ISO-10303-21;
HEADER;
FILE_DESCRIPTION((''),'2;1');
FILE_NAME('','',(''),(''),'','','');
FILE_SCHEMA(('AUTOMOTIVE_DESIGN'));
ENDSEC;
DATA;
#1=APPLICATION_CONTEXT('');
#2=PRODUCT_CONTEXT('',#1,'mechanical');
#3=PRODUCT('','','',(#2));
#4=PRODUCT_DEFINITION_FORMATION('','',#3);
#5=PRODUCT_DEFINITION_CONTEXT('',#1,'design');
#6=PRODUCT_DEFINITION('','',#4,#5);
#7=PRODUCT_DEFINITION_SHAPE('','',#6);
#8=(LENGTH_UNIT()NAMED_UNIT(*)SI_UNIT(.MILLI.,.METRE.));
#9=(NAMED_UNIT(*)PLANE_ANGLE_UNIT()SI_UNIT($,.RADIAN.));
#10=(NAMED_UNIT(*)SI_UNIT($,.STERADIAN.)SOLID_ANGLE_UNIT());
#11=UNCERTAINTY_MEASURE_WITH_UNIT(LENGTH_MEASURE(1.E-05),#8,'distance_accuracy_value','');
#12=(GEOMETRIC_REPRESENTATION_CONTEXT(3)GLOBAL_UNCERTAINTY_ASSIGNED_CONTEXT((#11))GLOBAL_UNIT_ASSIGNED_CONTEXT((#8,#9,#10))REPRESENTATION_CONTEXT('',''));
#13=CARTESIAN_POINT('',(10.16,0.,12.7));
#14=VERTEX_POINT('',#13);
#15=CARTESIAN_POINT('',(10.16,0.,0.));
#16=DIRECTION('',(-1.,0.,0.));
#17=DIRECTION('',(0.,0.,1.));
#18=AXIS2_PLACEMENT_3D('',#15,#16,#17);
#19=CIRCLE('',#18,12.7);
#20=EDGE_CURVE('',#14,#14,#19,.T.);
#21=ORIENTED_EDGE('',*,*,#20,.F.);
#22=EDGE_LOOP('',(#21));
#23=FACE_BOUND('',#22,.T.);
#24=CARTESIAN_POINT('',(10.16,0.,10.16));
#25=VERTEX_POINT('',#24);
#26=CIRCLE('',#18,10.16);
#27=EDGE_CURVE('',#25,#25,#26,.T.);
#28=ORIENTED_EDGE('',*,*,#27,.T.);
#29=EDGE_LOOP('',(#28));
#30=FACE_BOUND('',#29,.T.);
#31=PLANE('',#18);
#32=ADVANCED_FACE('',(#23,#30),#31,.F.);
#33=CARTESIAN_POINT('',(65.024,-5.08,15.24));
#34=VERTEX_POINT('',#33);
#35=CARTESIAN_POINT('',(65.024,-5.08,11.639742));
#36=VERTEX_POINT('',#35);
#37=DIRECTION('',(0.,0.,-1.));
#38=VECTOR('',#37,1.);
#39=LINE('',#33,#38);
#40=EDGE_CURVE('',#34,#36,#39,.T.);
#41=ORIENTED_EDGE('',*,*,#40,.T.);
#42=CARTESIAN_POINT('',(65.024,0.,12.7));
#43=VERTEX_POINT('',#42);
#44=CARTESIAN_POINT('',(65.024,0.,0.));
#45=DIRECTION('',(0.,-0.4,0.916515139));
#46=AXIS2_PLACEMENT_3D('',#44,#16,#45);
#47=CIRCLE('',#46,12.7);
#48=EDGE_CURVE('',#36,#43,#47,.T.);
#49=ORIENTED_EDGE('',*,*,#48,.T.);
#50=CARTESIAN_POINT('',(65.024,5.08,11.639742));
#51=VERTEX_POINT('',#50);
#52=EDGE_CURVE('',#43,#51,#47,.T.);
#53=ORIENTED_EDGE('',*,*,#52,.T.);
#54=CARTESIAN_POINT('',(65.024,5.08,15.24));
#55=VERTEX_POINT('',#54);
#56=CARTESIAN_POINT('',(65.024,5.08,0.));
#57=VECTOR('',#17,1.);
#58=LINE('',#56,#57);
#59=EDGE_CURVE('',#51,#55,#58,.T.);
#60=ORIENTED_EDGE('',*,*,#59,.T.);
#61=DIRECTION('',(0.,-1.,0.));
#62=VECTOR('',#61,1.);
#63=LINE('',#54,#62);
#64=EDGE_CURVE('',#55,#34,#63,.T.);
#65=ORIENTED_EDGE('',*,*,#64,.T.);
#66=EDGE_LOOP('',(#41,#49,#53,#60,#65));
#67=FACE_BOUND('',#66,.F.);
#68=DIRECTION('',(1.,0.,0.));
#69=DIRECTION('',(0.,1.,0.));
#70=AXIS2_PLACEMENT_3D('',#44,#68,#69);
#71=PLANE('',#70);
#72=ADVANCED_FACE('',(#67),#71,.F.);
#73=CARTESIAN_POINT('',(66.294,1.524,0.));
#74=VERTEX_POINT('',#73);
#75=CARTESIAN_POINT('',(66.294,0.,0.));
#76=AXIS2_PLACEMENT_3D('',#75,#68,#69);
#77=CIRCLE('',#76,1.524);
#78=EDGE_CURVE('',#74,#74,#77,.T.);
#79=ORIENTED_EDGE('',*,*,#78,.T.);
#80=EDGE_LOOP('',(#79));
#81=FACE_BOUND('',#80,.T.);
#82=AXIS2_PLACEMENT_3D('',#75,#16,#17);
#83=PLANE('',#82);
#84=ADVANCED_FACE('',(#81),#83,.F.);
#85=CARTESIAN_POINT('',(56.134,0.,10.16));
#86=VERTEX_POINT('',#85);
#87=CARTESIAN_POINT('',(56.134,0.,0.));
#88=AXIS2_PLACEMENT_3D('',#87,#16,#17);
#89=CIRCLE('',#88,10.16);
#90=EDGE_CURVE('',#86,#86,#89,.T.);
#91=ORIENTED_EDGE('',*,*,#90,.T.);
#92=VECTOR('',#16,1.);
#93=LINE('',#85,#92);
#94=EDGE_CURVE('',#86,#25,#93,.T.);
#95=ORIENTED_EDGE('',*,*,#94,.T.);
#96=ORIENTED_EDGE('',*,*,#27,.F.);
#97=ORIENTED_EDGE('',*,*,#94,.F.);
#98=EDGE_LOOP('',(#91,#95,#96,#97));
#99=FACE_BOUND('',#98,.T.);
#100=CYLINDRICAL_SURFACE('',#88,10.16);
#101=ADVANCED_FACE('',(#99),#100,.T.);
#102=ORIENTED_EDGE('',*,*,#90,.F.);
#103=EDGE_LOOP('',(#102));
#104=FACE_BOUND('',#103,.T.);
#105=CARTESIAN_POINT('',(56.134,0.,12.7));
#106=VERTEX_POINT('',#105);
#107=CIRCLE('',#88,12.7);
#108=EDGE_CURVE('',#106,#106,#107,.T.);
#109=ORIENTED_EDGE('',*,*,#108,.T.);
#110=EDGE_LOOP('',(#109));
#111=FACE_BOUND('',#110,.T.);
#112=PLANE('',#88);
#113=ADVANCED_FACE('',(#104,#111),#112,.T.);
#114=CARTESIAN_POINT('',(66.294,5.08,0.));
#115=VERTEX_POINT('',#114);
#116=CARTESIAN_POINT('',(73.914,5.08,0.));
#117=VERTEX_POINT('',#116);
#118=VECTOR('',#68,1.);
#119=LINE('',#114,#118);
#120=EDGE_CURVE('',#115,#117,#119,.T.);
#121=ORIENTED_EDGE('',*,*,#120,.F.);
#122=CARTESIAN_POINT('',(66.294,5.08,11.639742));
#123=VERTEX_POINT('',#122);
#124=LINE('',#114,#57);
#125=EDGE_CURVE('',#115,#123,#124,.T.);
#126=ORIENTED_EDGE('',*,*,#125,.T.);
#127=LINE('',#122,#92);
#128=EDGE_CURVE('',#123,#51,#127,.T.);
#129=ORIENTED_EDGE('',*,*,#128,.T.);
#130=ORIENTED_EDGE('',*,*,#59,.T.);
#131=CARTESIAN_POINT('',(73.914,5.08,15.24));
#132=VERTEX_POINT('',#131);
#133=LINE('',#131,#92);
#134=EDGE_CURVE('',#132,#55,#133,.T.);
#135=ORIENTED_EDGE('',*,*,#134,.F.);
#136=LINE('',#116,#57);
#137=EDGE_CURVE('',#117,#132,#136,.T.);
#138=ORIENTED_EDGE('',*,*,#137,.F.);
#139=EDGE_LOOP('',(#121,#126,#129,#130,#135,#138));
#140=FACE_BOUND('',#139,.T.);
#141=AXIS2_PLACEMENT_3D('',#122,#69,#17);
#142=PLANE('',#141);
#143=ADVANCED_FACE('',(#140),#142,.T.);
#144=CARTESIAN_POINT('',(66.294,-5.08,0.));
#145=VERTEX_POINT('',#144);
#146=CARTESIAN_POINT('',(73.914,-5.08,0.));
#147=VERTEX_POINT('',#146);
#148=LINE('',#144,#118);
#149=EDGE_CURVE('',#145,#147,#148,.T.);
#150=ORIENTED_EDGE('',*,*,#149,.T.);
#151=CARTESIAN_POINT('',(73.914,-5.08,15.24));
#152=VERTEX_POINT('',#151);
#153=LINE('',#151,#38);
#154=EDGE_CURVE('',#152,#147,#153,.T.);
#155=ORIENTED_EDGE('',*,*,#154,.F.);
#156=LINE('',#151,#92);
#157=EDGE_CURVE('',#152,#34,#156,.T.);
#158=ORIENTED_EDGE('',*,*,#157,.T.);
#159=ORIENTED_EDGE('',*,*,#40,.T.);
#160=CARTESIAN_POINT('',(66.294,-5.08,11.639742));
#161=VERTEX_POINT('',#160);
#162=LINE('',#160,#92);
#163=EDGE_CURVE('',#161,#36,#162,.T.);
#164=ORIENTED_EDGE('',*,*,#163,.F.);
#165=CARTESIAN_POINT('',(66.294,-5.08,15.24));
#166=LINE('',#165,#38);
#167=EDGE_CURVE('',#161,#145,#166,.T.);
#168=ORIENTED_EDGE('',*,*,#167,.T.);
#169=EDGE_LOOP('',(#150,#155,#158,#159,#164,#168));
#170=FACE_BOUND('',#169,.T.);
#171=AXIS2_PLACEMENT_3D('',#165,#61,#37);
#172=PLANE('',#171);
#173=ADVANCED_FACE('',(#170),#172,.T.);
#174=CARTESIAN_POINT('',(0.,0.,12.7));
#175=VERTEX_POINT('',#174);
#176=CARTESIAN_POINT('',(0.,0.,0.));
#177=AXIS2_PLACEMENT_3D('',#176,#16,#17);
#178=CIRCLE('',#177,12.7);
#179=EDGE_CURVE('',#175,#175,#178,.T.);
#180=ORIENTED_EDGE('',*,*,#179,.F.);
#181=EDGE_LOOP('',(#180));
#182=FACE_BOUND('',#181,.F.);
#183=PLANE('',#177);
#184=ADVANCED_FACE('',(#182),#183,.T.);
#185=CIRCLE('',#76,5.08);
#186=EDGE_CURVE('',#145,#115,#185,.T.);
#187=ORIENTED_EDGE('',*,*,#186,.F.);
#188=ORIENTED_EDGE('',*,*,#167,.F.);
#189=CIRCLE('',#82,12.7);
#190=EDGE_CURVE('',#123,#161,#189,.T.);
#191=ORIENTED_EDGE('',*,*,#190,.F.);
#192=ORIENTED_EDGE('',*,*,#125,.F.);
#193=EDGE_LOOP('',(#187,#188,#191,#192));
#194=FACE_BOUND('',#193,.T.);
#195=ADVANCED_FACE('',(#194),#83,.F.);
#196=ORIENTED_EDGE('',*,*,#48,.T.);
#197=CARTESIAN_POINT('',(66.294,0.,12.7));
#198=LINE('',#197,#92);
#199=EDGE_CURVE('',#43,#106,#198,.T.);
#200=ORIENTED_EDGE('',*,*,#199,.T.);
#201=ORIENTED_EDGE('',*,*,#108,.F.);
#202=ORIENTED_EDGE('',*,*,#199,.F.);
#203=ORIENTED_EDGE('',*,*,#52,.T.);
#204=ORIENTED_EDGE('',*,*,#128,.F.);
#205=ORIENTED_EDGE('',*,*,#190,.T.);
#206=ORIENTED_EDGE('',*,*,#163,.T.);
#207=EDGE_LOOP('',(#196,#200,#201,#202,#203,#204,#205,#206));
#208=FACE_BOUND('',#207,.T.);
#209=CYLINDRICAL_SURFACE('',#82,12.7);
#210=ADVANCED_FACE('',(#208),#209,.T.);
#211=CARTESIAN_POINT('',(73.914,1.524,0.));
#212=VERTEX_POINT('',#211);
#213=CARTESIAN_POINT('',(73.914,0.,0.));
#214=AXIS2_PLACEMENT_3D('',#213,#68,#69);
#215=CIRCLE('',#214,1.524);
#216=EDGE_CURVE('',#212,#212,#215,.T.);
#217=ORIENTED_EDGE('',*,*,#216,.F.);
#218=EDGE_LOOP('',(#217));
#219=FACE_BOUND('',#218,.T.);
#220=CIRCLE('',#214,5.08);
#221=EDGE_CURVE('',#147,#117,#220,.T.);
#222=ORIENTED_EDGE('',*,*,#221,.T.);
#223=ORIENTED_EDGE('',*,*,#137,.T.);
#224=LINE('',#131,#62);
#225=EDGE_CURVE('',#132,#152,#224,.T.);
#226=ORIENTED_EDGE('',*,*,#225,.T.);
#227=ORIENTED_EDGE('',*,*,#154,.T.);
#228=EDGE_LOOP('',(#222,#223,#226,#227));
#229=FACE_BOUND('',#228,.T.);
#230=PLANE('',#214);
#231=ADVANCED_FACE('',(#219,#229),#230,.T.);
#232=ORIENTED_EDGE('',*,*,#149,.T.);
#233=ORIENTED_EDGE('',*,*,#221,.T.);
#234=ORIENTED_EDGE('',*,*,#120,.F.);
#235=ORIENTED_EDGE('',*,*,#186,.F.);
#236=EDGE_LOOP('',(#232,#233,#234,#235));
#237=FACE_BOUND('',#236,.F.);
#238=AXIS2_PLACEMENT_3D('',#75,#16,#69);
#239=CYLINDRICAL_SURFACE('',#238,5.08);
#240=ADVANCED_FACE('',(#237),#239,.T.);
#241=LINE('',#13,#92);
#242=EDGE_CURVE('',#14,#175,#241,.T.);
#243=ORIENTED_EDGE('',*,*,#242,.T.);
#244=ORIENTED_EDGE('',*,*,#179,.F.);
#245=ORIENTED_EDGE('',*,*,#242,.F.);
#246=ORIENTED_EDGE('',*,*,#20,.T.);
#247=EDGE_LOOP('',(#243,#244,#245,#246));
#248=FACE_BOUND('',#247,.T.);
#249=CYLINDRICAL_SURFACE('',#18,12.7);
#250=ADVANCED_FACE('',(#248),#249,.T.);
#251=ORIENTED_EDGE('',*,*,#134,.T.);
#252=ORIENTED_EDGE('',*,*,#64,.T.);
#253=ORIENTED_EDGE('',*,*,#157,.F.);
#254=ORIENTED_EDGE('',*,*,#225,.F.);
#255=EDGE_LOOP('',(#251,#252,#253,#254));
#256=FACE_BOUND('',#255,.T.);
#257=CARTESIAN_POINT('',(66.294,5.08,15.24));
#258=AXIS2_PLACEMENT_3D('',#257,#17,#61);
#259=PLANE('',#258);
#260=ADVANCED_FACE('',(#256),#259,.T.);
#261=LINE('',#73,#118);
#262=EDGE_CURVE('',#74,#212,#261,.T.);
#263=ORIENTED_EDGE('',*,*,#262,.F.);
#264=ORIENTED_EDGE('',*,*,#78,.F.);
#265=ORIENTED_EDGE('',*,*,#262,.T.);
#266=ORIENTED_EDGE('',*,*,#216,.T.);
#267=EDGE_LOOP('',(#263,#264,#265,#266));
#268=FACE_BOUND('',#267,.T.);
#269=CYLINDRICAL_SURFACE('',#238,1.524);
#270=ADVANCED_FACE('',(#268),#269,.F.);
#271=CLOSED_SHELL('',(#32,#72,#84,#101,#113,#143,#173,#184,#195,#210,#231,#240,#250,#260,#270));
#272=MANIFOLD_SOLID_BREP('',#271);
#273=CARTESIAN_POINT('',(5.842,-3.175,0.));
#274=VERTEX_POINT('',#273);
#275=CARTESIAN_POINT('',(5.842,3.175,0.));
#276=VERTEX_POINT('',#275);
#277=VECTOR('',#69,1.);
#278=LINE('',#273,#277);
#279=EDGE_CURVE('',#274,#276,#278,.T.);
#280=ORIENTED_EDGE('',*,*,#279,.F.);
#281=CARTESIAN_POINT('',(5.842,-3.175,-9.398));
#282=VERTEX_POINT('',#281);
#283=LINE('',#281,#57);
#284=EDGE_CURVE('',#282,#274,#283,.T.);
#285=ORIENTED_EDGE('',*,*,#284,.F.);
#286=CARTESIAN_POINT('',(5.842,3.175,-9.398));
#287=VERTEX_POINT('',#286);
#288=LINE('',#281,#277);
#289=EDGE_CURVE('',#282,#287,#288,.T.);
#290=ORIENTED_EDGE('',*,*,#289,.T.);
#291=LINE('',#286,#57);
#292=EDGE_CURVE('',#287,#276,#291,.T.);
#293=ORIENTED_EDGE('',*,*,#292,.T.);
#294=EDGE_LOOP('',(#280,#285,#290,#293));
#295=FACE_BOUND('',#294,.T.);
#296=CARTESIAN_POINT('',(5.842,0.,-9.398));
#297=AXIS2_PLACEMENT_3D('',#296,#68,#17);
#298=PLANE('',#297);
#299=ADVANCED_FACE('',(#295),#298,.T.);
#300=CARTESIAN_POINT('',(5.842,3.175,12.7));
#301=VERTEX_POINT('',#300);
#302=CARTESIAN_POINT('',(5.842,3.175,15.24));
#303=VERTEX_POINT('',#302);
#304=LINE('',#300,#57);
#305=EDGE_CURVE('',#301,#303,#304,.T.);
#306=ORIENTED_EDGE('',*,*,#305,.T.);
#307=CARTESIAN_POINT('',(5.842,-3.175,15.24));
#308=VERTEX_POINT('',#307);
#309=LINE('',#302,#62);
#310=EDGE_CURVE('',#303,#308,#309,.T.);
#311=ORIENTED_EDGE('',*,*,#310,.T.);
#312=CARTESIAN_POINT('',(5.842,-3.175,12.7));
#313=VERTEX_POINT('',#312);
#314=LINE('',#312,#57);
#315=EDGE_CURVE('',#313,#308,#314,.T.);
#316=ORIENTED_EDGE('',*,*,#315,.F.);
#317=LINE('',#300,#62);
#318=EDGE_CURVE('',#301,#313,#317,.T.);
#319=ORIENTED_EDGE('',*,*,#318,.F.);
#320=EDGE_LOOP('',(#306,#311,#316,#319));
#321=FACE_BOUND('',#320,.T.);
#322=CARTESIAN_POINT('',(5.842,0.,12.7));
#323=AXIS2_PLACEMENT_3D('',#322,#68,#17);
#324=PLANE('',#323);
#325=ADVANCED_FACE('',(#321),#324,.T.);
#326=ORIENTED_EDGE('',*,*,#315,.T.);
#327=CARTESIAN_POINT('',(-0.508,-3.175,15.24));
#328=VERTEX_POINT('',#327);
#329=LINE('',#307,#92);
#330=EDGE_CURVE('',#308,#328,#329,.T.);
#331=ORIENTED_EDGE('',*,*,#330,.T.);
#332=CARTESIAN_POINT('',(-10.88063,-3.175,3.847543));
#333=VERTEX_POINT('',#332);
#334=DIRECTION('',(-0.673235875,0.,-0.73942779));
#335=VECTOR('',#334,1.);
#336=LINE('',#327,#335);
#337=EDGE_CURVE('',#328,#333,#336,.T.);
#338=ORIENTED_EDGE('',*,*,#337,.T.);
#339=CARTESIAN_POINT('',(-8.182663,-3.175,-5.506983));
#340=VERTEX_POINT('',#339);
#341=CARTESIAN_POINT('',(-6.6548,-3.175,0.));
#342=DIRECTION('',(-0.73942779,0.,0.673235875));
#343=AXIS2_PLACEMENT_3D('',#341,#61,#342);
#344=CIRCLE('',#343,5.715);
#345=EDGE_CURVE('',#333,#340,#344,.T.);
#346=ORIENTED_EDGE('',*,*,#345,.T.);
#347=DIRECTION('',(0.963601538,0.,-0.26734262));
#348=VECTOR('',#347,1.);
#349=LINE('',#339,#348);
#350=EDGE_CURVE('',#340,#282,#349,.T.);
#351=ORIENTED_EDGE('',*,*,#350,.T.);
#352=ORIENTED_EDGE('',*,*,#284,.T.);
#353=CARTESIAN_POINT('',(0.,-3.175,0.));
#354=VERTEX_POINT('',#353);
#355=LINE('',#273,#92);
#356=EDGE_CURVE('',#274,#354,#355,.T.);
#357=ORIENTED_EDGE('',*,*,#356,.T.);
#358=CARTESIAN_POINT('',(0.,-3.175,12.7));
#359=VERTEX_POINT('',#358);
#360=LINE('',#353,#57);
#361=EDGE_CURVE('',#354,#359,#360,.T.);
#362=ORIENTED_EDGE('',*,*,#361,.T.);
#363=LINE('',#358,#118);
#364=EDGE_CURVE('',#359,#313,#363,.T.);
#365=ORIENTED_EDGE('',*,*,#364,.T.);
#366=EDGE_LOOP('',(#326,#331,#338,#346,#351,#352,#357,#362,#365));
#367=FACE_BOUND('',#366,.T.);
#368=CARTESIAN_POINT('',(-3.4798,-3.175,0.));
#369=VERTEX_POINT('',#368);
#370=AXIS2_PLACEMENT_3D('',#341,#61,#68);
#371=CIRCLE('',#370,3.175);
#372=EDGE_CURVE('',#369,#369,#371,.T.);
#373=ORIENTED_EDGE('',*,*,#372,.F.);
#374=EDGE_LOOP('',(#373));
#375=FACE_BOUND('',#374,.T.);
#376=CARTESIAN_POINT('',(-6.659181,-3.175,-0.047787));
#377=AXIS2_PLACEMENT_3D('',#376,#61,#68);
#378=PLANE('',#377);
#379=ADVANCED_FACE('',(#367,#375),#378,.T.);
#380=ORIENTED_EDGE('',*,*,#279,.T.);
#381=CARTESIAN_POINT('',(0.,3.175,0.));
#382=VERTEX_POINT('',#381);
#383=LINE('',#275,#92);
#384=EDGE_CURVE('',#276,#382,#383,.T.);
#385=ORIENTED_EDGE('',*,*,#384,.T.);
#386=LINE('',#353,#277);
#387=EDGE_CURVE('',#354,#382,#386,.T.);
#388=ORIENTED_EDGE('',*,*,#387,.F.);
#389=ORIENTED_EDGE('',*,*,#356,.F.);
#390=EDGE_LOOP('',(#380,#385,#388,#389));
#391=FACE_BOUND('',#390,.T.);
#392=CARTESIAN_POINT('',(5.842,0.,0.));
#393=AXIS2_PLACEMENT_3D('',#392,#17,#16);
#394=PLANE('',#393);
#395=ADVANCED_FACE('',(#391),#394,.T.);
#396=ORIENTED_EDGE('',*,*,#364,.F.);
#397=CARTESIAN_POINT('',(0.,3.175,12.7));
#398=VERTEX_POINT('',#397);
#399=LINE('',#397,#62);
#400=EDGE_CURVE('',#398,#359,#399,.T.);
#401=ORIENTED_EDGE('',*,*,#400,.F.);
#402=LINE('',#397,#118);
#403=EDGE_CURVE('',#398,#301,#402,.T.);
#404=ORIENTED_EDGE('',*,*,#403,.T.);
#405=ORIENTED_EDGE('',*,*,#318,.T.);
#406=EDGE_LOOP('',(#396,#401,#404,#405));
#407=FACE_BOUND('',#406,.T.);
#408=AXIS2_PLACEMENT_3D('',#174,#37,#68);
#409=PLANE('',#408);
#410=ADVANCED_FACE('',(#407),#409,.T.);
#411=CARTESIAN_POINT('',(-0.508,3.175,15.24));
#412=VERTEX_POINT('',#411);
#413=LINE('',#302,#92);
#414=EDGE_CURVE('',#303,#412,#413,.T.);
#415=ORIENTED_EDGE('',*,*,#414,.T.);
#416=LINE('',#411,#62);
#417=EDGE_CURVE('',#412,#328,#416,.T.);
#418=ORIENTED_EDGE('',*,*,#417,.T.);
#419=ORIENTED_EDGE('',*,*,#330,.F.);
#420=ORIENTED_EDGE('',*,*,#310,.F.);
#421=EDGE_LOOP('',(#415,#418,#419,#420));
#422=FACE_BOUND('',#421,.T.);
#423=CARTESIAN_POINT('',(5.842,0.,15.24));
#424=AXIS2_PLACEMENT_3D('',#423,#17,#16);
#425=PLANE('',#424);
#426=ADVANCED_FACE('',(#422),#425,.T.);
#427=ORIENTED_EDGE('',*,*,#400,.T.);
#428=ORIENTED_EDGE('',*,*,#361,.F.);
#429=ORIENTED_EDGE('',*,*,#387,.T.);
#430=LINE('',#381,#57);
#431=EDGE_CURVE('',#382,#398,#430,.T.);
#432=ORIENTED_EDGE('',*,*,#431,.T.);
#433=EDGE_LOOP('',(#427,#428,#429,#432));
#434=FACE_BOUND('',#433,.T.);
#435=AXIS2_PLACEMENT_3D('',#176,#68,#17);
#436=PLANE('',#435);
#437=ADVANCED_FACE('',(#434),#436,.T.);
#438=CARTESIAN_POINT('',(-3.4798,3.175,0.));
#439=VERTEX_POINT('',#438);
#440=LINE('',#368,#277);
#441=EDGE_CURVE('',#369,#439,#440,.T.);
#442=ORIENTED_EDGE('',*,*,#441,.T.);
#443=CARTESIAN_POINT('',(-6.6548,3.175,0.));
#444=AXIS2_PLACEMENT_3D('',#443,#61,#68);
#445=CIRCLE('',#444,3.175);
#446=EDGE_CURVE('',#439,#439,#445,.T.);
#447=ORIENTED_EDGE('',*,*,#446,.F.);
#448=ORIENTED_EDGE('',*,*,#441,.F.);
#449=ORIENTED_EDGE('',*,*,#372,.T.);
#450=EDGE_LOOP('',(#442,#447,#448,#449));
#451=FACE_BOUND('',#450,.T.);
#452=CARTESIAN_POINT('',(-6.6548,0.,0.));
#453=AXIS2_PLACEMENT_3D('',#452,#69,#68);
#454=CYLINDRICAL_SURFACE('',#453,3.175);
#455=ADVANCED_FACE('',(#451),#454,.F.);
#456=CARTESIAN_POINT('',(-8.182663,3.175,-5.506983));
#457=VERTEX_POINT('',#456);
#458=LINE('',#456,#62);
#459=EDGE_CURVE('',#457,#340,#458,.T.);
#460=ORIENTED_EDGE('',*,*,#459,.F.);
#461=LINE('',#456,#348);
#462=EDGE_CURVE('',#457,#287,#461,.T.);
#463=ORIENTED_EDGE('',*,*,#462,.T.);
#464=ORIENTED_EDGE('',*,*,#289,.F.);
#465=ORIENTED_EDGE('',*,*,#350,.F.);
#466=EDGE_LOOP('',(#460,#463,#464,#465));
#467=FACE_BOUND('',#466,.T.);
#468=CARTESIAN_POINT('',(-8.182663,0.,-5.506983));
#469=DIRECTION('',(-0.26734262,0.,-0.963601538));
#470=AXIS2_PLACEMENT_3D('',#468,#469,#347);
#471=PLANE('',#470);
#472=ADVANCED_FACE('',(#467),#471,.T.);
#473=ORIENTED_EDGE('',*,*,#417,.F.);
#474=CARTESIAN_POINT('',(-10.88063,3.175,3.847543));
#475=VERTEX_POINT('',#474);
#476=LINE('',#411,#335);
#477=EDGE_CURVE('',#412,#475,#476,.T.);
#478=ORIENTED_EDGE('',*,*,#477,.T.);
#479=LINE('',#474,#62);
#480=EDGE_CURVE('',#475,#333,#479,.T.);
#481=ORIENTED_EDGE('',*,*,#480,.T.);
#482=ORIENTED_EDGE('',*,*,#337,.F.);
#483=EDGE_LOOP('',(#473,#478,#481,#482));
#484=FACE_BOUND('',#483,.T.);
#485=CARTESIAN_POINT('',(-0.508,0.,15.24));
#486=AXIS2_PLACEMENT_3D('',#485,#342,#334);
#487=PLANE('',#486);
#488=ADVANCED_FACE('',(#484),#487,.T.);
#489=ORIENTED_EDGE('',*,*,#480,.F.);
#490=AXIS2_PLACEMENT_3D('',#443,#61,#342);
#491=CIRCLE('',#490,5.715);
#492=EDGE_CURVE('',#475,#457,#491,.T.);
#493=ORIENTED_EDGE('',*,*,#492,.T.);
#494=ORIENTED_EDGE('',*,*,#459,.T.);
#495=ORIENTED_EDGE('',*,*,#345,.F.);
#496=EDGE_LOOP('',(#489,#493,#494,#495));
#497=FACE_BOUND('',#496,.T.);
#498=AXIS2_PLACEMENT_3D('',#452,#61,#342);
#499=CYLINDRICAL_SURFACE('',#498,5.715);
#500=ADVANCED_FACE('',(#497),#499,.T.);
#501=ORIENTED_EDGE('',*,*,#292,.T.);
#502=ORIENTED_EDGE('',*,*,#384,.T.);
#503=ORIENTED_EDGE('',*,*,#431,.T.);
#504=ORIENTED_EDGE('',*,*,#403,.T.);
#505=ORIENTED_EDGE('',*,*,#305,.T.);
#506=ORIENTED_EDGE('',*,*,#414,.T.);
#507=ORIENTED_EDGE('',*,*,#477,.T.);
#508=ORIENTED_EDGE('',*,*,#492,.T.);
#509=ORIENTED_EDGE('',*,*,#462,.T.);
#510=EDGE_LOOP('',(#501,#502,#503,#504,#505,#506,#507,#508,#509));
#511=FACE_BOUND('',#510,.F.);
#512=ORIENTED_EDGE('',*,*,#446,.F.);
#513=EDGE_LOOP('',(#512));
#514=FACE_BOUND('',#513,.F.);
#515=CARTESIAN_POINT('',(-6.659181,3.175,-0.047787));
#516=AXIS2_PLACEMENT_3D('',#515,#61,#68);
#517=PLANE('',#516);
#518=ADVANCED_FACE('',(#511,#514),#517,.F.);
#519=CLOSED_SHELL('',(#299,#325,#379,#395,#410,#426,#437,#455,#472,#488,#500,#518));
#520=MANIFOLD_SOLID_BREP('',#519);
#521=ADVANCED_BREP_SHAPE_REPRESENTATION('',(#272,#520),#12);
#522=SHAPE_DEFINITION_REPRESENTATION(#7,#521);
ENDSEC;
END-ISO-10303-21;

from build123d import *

# Parameters (mm, degrees)
F0_W     = 5.842
F0_H     = 12.7
F0_R     = 3.175
F2_DEPTH = 3.175
F3_R     = 1.524
F4_DEPTH = 7.62
F5_DEPTH = 1.27


with BuildPart() as f1:
    # F0 (on Front) → F1 (revolve)
    with BuildSketch(Plane.XZ):
        with Locations((2.921, 6.35)):
            Rectangle(F0_W, F0_H)
        Polygon((5.842, 12.7), (5.842, 0), (66.294, 0), (66.294, 12.7), (56.134, 12.7), (56.134, 10.16), (10.16, 10.16), (10.16, 12.7), align=None)
    revolve(axis=Axis((33.147, 0, 0), (-1, 0, 0)))

    # F3 (on face) → F4 (join)
    with BuildSketch(Plane.YZ.offset(66.294)):
        with BuildLine():
            ThreePointArc((-5.08, 0), (0, -5.08), (5.08, 0))
            ThreePointArc((5.08, 0), (0, 5.08), (-5.08, 0))
        make_face()
        Circle(F3_R, mode=Mode.SUBTRACT)
        with BuildLine():
            ThreePointArc((-5.08, 0), (0, 5.08), (5.08, 0))
            Line((5.08, 0), (5.08, 15.24))
            Line((5.08, 15.24), (-5.08, 15.24))
            Line((-5.08, 15.24), (-5.08, 0))
        make_face()
    extrude(amount=F4_DEPTH)

    # F5 (add): a face of the model
    f5_faces = [f1.faces().sort_by_distance(p)[0] for p in [
        (66.294, 0, 13.7792682875),
    ]]
    extrude(f5_faces, amount=F5_DEPTH)


with BuildPart() as f2:
    # F0 (on Front) → F2 (new body, symmetric)
    with BuildSketch(Plane.XZ):
        with BuildLine():
            ThreePointArc((-8.1826630726, -5.5069827884), (-3.1957909266, -4.5493385486), (-0.9398, 0))
            ThreePointArc((-0.9398, 0), (-4.5919612295, 5.3297205562), (-10.8806298187, 3.8475430269))
            ThreePointArc((-10.8806298187, 3.8475430269), (-12.1459778134, -1.5837270034), (-8.1826630726, -5.5069827884))
        make_face()
        with Locations((-6.6548, 0)):
            Circle(F0_R, mode=Mode.SUBTRACT)
        with BuildLine():
            Line((-0.9398, 0), (0, 0))
            Line((0, 0), (0, 12.7))
            Line((0, 12.7), (5.842, 12.7))
            Line((5.842, 12.7), (5.842, 15.24))
            Line((5.842, 15.24), (-0.508, 15.24))
            Line((-0.508, 15.24), (-10.8806298187, 3.8475430269))
            ThreePointArc((-10.8806298187, 3.8475430269), (-4.5919612295, 5.3297205562), (-0.9398, 0))
        make_face()
        with BuildLine():
            Line((5.842, 0), (0, 0))
            Line((0, 0), (-0.9398, 0))
            ThreePointArc((-0.9398, 0), (-3.1957909266, -4.5493385486), (-8.1826630726, -5.5069827884))
            Line((-8.1826630726, -5.5069827884), (5.842, -9.398))
            Line((5.842, -9.398), (5.842, 0))
        make_face()
    extrude(amount=F2_DEPTH, both=True)


solid = Compound([f1.part, f2.part])
